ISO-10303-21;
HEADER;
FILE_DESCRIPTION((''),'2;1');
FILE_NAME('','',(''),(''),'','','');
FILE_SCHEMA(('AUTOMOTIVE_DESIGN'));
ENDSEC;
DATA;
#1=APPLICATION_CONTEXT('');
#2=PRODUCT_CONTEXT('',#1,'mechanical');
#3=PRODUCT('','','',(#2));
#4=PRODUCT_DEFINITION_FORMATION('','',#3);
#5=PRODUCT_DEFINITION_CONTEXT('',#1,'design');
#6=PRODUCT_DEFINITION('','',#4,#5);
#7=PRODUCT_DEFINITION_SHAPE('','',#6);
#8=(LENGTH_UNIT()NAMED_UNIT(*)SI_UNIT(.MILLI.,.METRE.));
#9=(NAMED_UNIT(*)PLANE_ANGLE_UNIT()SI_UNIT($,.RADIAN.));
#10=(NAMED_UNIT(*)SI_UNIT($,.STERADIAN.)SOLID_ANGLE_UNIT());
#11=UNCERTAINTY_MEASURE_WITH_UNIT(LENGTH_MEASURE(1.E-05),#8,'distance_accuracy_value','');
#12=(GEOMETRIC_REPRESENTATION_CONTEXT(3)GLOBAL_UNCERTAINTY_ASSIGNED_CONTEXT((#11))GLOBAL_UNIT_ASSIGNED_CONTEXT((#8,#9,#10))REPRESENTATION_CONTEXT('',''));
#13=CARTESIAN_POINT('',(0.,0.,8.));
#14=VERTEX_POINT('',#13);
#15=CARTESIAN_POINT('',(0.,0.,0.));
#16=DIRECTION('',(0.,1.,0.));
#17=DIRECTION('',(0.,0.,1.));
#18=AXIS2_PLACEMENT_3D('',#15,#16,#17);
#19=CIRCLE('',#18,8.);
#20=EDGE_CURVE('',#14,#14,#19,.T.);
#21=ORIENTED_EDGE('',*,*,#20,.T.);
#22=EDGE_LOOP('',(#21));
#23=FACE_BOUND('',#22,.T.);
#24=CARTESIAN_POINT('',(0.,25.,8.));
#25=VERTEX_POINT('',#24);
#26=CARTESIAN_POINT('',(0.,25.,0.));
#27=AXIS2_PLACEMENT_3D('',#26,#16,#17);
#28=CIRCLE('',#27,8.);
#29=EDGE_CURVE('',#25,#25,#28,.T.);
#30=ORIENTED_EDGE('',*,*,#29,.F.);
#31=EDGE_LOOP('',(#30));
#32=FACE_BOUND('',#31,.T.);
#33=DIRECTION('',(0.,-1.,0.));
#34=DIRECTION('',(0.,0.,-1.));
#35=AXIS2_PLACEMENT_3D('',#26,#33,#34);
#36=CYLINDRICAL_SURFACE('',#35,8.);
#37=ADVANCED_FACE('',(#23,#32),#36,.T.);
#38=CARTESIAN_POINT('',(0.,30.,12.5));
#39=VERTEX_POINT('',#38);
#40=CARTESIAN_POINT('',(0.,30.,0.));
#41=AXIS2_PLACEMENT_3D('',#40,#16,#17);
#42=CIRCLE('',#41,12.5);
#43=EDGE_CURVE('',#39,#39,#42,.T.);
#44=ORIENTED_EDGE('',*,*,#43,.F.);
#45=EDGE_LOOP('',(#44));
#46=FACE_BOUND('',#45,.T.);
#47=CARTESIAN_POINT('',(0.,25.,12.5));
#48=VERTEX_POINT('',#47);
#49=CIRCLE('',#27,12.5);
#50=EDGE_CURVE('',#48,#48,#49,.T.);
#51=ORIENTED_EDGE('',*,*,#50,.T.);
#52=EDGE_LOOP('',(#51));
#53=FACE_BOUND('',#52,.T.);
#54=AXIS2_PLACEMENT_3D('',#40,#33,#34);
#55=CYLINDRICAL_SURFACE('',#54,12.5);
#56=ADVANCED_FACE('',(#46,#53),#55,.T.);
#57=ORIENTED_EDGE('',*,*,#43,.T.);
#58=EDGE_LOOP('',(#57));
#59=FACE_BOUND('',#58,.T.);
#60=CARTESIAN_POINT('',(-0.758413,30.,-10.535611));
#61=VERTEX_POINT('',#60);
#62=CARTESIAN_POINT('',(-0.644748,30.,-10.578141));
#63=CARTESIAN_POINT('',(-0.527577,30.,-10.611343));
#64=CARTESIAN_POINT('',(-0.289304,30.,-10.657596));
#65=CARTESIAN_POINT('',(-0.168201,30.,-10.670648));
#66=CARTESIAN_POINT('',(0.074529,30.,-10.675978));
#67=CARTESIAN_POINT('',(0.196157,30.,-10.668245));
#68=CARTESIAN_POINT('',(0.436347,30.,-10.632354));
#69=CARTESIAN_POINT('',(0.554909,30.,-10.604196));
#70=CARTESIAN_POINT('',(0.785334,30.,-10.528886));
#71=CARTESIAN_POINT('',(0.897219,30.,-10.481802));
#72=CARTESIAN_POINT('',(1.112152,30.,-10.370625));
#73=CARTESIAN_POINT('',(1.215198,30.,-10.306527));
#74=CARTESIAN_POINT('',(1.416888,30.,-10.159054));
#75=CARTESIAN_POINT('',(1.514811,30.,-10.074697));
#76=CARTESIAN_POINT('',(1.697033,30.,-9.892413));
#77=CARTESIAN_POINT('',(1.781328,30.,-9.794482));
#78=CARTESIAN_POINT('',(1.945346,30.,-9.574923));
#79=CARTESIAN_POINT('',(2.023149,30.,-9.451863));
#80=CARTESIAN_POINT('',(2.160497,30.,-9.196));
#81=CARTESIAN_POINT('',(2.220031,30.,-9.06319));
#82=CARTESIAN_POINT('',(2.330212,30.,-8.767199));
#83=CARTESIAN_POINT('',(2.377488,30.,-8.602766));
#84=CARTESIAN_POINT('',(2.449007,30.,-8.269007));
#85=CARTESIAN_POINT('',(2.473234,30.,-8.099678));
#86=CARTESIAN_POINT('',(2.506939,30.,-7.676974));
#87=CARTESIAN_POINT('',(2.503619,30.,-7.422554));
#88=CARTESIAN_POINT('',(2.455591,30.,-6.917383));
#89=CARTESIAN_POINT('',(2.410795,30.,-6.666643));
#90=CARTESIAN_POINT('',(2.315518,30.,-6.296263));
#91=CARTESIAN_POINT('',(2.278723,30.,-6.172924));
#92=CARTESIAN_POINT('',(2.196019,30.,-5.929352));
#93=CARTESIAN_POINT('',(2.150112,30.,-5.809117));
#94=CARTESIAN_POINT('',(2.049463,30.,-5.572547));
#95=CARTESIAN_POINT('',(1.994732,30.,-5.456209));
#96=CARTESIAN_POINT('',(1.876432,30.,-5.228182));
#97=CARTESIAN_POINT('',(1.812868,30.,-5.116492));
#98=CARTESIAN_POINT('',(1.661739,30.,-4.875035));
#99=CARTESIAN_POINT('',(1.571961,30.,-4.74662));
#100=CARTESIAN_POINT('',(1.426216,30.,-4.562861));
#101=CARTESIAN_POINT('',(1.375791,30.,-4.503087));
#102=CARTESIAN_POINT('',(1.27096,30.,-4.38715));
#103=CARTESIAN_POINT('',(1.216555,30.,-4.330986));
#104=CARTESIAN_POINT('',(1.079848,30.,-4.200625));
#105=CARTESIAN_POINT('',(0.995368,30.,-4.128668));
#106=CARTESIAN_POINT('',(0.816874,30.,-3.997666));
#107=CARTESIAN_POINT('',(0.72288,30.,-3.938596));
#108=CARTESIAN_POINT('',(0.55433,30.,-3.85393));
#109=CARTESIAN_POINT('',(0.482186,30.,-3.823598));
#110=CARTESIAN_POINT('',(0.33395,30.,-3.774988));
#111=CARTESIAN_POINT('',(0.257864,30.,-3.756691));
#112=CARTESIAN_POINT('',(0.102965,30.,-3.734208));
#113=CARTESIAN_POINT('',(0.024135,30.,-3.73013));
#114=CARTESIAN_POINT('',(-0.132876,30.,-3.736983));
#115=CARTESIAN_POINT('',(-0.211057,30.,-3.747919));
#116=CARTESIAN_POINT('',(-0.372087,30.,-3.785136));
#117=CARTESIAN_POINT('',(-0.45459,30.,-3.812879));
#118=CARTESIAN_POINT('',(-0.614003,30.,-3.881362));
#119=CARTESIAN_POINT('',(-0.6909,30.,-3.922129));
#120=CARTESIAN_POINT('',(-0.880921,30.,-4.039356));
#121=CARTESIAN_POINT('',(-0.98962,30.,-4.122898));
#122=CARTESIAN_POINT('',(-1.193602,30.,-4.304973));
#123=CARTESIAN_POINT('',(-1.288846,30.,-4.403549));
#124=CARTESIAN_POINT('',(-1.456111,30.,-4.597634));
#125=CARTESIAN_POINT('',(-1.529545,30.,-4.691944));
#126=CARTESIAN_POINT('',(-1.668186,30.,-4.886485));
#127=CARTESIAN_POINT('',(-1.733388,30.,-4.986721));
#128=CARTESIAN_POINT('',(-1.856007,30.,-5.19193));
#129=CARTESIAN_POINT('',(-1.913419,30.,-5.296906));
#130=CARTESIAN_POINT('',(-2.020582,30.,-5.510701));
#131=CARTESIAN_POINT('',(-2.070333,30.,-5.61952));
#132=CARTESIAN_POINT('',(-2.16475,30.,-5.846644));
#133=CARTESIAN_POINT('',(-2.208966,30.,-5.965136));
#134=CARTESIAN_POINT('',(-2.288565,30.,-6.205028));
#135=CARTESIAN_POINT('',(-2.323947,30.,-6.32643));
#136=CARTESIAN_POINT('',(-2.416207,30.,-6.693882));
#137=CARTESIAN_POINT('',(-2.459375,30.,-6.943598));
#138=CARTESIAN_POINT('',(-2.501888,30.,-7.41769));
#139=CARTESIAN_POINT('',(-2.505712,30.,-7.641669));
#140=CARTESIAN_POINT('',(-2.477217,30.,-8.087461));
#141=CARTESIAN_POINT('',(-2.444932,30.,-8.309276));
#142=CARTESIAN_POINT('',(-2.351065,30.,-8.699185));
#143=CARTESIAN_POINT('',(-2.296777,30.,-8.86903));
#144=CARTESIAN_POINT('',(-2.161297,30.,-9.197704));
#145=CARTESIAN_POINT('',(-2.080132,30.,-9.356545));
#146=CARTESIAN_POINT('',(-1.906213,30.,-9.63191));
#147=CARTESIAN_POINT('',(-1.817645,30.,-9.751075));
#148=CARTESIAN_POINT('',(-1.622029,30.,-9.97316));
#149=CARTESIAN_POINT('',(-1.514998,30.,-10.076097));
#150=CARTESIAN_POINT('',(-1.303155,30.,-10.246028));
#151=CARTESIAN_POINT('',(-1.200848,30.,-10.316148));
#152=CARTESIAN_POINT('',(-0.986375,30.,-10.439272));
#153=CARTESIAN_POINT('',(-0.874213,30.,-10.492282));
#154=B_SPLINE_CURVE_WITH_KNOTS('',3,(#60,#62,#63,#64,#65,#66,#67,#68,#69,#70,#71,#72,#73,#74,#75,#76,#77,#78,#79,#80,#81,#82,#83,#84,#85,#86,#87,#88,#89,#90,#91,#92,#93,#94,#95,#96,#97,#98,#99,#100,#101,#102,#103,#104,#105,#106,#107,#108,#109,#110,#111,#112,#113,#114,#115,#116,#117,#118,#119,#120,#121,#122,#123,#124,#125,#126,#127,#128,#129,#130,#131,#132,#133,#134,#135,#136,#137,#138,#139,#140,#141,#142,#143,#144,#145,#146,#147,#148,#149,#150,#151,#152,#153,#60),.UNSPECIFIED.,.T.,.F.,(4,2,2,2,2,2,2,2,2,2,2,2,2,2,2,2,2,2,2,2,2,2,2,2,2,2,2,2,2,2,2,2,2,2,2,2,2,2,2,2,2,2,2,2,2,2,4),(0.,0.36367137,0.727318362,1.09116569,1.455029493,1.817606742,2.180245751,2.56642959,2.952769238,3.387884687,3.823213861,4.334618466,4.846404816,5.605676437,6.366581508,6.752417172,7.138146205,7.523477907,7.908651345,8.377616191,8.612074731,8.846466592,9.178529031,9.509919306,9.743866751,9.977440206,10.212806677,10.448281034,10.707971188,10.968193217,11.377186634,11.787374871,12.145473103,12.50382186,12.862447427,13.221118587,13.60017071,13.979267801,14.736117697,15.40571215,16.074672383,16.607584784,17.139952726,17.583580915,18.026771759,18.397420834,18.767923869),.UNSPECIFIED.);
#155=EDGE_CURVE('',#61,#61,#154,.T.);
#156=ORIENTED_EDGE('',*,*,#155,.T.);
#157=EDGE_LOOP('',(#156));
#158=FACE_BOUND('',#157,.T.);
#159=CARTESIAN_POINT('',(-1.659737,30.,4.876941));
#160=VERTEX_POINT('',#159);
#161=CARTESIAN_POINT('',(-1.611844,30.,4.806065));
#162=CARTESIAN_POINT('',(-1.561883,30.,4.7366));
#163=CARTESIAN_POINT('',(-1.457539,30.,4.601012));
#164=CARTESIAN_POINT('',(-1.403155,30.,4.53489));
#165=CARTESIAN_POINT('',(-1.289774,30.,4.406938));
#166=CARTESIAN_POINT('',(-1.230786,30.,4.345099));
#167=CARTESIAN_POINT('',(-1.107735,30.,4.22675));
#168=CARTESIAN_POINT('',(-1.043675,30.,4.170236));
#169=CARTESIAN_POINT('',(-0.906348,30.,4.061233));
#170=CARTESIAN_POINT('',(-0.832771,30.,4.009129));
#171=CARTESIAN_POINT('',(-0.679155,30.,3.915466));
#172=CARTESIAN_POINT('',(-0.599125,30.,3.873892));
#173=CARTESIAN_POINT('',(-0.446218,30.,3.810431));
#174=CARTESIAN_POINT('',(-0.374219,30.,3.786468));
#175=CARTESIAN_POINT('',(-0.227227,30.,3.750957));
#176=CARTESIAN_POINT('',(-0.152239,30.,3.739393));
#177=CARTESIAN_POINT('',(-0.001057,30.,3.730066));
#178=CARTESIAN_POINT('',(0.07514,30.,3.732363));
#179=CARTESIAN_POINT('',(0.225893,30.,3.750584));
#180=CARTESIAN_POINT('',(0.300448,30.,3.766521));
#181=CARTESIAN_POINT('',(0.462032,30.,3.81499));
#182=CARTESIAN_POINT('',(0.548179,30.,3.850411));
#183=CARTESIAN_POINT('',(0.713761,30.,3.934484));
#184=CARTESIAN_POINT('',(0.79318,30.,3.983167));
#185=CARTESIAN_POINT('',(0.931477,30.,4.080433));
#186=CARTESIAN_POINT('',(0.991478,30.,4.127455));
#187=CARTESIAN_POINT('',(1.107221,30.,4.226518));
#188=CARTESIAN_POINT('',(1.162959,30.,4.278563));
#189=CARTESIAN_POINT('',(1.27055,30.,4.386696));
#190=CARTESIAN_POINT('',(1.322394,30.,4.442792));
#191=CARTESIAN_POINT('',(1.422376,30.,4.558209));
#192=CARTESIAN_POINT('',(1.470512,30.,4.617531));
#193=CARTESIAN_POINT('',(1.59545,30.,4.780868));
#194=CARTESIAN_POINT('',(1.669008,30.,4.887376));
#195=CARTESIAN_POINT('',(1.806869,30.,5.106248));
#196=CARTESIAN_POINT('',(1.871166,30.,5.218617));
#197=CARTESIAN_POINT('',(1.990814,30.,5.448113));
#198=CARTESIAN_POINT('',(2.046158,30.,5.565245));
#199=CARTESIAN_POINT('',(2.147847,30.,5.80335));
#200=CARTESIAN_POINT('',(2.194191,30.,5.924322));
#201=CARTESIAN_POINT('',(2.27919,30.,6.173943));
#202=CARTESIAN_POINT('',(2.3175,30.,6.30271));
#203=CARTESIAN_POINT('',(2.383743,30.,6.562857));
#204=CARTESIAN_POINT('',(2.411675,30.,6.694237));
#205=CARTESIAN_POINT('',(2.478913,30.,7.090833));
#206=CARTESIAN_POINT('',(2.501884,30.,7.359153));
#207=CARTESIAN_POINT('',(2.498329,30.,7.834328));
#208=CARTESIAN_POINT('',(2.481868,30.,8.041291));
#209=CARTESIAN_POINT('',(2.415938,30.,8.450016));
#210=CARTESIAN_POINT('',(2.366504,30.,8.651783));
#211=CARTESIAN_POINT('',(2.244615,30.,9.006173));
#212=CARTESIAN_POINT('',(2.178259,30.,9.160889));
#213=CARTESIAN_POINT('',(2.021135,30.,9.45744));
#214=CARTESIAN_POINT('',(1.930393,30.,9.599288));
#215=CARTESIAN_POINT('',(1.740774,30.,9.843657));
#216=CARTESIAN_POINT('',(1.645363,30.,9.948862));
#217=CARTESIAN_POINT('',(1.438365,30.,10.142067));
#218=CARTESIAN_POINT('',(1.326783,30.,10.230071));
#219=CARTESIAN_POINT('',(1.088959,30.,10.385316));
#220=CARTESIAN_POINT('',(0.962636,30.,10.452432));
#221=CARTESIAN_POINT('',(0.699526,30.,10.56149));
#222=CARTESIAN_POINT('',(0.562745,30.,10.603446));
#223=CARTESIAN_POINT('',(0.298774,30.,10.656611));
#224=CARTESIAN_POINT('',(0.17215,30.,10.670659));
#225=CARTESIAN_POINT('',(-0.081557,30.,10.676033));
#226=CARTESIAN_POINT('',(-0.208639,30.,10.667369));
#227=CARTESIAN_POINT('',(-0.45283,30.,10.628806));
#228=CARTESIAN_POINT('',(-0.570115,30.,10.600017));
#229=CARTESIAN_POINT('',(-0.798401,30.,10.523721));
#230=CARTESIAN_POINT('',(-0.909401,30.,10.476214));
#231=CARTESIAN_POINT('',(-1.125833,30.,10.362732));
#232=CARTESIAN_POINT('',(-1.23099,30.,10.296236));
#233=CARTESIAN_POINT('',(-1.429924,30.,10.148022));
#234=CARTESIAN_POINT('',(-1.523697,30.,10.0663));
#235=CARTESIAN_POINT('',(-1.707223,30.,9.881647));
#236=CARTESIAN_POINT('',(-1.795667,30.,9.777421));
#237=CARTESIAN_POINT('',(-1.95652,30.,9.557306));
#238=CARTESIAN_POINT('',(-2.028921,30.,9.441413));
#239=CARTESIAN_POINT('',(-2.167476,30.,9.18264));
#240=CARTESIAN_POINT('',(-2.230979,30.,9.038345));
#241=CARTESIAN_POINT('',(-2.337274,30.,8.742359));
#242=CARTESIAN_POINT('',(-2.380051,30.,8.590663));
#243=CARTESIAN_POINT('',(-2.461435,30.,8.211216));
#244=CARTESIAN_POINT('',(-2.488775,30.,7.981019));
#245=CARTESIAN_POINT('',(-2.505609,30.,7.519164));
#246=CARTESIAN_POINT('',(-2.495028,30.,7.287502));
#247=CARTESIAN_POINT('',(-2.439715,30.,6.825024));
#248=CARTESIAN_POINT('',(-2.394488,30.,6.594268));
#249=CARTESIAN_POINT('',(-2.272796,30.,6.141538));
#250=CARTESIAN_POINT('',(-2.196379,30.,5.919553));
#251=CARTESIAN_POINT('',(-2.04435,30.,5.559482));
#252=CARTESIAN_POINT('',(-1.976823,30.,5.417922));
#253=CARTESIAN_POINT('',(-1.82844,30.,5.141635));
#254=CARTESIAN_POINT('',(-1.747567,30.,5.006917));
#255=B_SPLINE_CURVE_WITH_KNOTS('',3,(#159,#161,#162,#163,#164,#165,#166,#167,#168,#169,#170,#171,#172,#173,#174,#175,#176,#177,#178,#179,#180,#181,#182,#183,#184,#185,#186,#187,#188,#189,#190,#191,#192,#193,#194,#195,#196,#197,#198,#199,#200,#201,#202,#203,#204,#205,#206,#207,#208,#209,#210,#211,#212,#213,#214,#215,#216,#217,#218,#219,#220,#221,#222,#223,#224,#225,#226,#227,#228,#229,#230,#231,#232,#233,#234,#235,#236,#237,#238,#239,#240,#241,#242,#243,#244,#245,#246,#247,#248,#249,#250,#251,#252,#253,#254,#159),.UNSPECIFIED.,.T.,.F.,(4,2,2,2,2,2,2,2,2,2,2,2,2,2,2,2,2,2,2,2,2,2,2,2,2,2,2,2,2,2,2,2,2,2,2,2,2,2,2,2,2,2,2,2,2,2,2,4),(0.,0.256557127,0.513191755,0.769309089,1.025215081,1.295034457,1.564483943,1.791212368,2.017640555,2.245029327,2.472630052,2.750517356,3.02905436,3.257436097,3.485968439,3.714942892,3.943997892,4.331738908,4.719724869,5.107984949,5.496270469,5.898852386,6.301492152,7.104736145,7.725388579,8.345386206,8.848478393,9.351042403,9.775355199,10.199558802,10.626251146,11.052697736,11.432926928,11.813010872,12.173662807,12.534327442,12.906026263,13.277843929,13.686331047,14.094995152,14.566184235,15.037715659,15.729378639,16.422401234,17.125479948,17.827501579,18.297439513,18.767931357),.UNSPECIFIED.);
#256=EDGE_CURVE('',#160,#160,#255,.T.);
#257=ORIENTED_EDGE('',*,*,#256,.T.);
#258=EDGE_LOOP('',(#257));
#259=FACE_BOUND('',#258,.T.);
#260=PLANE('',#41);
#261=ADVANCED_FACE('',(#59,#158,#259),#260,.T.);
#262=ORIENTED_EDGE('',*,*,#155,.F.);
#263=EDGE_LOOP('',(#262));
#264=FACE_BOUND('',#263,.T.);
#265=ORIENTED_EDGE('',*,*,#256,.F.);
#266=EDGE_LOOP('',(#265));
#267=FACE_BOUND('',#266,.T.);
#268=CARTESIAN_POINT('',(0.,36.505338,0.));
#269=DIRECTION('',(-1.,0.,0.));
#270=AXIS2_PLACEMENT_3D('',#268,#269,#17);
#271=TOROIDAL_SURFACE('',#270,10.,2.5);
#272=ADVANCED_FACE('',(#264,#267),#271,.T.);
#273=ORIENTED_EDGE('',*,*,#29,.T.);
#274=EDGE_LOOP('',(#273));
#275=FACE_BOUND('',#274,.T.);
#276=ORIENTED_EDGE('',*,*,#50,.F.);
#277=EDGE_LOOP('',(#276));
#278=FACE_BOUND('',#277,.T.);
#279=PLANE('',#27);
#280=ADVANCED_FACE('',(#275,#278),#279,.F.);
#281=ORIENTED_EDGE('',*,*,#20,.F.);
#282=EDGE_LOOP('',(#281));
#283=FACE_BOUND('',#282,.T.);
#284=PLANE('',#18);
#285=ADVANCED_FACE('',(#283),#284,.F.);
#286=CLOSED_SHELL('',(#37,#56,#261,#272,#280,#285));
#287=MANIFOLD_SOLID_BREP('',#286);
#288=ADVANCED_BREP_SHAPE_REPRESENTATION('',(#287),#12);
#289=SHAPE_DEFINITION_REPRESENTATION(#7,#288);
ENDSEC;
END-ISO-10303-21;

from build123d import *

# Parameters (mm, degrees)
SKETCH1_R           = 8
BOSS_EXTRUDE1_DEPTH = 25
SKETCH2_R           = 12.5
BOSS_EXTRUDE2_DEPTH = 5
SKETCH4_R           = 2.5


with BuildPart() as part:
    # Sketch1 → Boss-Extrude1 (new body)
    with BuildSketch(Plane(origin=(0, 0, 0), x_dir=(1, 0, 0), z_dir=(0, 1, 0))):
        with Locations(Location((0, 0, 0), (0, 0, 270))):
            Circle(SKETCH1_R)
    extrude(amount=BOSS_EXTRUDE1_DEPTH)

    # Sketch2 → Boss-Extrude2 (add)
    with BuildSketch(Plane(origin=(0, 25, 0), x_dir=(1, 0, 0), z_dir=(0, 1, 0))):
        with Locations(Location((0, 0, 0), (0, 0, 270))):
            Circle(SKETCH2_R)
    extrude(amount=BOSS_EXTRUDE2_DEPTH)

    # Sweep1: sweep along a path in Sketch3
    with BuildLine(Plane(origin=(0, 0, 0), x_dir=(0, 0, -1), z_dir=(1, 0, 0))) as sweep1_path:
        ThreePointArc((4.961180913, 27.822787702), (-0.153256004, 46.504163807), (-4.692751062, 27.67481802))
    # Sketch4 → Sweep1 (sweep)
    with BuildSketch(Plane.XY):
        with Locations((0, 46.505338246)):
            Circle(SKETCH4_R)
    sweep(path=sweep1_path.line)


solid = part.part
